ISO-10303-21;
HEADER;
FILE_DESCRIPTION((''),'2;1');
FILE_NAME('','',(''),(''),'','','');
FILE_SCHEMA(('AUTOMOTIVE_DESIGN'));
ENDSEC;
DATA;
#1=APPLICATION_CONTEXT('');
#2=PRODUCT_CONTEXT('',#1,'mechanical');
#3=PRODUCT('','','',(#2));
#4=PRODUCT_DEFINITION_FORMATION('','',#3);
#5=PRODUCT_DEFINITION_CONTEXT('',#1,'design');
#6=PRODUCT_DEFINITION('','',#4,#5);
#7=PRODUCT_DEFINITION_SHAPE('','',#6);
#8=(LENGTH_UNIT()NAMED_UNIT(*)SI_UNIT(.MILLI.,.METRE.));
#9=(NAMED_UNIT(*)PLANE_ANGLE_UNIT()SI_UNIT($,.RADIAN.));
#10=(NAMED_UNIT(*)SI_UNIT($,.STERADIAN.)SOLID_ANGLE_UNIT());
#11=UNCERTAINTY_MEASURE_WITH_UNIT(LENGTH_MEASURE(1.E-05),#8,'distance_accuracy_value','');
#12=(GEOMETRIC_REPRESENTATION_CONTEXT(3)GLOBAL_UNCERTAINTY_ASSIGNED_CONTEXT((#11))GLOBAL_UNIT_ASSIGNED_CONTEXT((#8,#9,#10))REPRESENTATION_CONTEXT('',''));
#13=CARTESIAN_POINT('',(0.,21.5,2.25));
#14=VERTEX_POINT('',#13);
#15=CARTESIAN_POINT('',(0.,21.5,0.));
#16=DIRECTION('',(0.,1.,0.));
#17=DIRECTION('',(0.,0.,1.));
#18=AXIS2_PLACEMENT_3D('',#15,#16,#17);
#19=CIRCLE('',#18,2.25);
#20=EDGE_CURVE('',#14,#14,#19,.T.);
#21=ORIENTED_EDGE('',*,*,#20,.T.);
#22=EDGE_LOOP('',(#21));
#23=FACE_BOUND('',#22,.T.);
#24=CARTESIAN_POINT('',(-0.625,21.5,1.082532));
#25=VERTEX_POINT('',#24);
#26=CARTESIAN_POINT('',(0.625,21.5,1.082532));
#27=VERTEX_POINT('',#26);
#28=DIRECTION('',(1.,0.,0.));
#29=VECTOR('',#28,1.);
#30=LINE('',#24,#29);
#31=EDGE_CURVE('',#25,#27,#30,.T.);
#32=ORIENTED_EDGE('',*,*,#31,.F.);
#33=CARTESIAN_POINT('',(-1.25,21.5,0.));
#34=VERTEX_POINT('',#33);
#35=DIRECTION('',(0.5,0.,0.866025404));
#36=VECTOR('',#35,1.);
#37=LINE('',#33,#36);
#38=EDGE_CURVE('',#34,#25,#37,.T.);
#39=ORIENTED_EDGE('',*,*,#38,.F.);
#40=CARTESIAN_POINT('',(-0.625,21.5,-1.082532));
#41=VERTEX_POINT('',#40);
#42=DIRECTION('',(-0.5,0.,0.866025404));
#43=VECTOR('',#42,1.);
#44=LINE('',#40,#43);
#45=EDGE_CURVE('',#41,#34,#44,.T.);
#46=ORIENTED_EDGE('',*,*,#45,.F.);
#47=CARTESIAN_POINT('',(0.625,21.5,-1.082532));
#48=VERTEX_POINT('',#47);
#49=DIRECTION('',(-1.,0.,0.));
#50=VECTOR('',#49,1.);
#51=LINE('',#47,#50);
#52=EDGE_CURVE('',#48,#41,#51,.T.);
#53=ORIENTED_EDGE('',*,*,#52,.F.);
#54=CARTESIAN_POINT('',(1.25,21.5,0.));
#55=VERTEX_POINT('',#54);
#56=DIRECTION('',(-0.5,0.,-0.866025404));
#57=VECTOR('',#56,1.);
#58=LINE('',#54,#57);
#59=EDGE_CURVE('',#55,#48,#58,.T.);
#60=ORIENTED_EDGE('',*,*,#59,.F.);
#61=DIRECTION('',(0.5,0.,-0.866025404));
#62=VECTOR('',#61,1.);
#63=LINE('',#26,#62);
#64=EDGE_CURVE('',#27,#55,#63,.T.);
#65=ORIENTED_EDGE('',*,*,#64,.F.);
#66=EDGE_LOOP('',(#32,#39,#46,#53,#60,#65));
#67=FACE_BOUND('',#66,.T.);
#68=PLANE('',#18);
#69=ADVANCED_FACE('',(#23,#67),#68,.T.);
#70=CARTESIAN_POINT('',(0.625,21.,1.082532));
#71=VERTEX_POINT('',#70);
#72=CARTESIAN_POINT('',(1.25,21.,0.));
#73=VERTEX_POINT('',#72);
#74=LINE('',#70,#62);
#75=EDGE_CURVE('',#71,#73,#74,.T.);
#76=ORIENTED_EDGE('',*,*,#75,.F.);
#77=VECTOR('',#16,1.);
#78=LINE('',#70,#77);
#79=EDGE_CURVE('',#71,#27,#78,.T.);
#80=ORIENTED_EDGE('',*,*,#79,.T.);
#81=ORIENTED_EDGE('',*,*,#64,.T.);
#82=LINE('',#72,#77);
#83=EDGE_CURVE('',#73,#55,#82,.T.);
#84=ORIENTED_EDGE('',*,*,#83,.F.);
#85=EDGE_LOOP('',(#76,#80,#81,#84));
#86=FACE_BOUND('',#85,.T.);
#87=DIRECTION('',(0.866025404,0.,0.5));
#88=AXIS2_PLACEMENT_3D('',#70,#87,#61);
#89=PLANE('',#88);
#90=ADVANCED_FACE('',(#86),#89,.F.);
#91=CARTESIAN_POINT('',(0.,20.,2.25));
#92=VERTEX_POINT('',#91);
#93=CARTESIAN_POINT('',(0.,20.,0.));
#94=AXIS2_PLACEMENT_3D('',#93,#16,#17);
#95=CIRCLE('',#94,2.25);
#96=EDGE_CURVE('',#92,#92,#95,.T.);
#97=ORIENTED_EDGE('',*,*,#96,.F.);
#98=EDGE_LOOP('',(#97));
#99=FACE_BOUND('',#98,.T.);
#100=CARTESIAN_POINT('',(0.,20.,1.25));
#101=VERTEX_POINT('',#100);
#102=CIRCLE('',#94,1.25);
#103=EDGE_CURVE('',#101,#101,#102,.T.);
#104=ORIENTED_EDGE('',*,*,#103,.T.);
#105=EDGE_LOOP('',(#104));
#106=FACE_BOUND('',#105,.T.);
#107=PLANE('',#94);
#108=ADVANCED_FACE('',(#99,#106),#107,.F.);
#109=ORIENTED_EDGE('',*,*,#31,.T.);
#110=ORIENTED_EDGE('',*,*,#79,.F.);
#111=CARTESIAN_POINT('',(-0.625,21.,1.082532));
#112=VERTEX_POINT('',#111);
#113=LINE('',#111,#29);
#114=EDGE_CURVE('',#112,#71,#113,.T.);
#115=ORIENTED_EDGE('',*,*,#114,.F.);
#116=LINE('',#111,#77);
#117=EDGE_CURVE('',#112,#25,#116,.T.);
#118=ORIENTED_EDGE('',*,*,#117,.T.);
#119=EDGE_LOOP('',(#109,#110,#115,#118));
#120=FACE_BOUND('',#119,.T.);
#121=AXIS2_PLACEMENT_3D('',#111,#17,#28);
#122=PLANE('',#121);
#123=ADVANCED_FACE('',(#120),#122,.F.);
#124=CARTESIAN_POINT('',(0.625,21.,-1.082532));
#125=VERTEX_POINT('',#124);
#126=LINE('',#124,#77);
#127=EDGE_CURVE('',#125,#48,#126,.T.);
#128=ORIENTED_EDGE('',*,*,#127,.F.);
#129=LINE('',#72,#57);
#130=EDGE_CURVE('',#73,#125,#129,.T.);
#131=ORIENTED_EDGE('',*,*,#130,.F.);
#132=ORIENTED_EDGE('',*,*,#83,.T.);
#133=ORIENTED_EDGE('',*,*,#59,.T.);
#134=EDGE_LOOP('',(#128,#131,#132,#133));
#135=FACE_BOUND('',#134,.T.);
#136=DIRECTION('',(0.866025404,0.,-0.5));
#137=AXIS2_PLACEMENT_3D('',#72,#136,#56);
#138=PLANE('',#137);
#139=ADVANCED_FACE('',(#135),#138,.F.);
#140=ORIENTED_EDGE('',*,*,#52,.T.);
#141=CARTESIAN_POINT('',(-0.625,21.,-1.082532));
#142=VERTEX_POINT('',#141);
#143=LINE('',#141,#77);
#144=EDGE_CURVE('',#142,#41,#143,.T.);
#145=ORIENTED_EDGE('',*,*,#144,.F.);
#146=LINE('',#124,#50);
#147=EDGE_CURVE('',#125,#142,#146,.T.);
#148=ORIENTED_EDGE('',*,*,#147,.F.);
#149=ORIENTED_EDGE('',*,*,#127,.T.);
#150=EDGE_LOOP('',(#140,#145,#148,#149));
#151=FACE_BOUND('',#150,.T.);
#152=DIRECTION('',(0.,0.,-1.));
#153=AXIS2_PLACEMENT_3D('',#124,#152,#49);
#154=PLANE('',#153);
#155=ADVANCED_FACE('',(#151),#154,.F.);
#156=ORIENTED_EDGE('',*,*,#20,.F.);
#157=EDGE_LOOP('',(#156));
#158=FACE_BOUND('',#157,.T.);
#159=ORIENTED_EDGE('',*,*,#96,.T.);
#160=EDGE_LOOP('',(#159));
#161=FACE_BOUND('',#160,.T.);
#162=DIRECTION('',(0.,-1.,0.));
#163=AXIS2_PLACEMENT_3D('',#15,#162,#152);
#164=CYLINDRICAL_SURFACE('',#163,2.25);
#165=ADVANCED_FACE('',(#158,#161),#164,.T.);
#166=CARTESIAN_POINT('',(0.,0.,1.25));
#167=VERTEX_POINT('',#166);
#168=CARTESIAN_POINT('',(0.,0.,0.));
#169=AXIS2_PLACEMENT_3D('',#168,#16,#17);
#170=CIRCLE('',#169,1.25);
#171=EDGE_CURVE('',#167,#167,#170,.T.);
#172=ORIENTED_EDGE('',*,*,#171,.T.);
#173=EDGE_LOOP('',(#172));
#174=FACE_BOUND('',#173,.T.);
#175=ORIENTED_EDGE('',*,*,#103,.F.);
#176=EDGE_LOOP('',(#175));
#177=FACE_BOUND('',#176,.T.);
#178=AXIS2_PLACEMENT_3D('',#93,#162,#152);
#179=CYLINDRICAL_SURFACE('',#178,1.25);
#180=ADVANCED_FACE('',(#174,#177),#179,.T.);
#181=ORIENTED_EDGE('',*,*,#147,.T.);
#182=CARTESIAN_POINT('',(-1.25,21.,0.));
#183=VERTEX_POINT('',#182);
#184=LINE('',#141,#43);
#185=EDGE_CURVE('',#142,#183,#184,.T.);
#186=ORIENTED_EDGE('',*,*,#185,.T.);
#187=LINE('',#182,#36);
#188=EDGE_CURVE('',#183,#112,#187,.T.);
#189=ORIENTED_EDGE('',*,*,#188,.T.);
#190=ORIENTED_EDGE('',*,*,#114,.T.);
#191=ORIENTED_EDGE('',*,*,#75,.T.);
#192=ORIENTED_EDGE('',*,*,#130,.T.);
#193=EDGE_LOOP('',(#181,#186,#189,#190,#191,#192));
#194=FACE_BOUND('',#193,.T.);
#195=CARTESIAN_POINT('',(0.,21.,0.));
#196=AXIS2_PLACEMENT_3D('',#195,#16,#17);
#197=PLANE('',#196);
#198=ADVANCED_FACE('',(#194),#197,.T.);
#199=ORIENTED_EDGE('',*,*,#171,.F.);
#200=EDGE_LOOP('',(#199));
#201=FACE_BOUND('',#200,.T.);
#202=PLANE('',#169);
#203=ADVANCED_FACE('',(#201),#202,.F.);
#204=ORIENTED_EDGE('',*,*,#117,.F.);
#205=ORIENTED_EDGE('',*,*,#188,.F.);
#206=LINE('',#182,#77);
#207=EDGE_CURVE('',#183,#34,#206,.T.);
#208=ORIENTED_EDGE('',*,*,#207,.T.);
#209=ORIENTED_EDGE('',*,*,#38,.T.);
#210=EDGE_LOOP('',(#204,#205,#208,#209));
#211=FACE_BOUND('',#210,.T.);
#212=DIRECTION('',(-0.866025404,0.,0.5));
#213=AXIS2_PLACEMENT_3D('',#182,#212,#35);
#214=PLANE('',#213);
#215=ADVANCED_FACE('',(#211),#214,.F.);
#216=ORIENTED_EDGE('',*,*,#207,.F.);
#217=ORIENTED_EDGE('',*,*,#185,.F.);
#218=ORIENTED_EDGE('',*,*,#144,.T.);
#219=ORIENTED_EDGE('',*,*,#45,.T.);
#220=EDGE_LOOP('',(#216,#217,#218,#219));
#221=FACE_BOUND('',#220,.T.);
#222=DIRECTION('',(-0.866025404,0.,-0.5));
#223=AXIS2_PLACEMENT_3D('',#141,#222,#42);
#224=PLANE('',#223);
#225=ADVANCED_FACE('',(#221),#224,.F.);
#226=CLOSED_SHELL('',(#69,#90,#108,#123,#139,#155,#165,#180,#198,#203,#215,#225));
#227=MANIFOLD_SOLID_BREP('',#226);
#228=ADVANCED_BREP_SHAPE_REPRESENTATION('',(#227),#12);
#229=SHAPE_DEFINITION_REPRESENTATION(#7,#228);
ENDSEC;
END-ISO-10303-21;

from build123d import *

# Parameters (mm, degrees)
SKETCH1_R           = 1.25
BOSS_EXTRUDE1_DEPTH = 20
SKETCH4_R           = 2.25
BOSS_EXTRUDE2_DEPTH = 1.5
CUT_EXTRUDE1_DEPTH  = 0.5


with BuildPart() as part:
    # Sketch1 → Boss-Extrude1 (new body)
    with BuildSketch(Plane(origin=(0, 0, 0), x_dir=(1, 0, 0), z_dir=(0, 1, 0))):
        Circle(SKETCH1_R)
    extrude(amount=BOSS_EXTRUDE1_DEPTH)

    # Sketch4 → Boss-Extrude2 (add)
    with BuildSketch(Plane(origin=(0, 20, 0), x_dir=(1, 0, 0), z_dir=(0, 1, 0))):
        Circle(SKETCH4_R)
    extrude(amount=BOSS_EXTRUDE2_DEPTH)

    # Sketch5 → Cut-Extrude1 (cut)
    with BuildSketch(Plane(origin=(0, 21.5, 0), x_dir=(1, 0, 0), z_dir=(0, 1, 0))):
        Polygon((1.25, 0), (0.625, 1.082531755), (-0.625, 1.082531755), (-1.25, 0), (-0.625, -1.082531755), (0.625, -1.082531755), align=None)
    extrude(amount=-CUT_EXTRUDE1_DEPTH, mode=Mode.SUBTRACT)


solid = part.part
